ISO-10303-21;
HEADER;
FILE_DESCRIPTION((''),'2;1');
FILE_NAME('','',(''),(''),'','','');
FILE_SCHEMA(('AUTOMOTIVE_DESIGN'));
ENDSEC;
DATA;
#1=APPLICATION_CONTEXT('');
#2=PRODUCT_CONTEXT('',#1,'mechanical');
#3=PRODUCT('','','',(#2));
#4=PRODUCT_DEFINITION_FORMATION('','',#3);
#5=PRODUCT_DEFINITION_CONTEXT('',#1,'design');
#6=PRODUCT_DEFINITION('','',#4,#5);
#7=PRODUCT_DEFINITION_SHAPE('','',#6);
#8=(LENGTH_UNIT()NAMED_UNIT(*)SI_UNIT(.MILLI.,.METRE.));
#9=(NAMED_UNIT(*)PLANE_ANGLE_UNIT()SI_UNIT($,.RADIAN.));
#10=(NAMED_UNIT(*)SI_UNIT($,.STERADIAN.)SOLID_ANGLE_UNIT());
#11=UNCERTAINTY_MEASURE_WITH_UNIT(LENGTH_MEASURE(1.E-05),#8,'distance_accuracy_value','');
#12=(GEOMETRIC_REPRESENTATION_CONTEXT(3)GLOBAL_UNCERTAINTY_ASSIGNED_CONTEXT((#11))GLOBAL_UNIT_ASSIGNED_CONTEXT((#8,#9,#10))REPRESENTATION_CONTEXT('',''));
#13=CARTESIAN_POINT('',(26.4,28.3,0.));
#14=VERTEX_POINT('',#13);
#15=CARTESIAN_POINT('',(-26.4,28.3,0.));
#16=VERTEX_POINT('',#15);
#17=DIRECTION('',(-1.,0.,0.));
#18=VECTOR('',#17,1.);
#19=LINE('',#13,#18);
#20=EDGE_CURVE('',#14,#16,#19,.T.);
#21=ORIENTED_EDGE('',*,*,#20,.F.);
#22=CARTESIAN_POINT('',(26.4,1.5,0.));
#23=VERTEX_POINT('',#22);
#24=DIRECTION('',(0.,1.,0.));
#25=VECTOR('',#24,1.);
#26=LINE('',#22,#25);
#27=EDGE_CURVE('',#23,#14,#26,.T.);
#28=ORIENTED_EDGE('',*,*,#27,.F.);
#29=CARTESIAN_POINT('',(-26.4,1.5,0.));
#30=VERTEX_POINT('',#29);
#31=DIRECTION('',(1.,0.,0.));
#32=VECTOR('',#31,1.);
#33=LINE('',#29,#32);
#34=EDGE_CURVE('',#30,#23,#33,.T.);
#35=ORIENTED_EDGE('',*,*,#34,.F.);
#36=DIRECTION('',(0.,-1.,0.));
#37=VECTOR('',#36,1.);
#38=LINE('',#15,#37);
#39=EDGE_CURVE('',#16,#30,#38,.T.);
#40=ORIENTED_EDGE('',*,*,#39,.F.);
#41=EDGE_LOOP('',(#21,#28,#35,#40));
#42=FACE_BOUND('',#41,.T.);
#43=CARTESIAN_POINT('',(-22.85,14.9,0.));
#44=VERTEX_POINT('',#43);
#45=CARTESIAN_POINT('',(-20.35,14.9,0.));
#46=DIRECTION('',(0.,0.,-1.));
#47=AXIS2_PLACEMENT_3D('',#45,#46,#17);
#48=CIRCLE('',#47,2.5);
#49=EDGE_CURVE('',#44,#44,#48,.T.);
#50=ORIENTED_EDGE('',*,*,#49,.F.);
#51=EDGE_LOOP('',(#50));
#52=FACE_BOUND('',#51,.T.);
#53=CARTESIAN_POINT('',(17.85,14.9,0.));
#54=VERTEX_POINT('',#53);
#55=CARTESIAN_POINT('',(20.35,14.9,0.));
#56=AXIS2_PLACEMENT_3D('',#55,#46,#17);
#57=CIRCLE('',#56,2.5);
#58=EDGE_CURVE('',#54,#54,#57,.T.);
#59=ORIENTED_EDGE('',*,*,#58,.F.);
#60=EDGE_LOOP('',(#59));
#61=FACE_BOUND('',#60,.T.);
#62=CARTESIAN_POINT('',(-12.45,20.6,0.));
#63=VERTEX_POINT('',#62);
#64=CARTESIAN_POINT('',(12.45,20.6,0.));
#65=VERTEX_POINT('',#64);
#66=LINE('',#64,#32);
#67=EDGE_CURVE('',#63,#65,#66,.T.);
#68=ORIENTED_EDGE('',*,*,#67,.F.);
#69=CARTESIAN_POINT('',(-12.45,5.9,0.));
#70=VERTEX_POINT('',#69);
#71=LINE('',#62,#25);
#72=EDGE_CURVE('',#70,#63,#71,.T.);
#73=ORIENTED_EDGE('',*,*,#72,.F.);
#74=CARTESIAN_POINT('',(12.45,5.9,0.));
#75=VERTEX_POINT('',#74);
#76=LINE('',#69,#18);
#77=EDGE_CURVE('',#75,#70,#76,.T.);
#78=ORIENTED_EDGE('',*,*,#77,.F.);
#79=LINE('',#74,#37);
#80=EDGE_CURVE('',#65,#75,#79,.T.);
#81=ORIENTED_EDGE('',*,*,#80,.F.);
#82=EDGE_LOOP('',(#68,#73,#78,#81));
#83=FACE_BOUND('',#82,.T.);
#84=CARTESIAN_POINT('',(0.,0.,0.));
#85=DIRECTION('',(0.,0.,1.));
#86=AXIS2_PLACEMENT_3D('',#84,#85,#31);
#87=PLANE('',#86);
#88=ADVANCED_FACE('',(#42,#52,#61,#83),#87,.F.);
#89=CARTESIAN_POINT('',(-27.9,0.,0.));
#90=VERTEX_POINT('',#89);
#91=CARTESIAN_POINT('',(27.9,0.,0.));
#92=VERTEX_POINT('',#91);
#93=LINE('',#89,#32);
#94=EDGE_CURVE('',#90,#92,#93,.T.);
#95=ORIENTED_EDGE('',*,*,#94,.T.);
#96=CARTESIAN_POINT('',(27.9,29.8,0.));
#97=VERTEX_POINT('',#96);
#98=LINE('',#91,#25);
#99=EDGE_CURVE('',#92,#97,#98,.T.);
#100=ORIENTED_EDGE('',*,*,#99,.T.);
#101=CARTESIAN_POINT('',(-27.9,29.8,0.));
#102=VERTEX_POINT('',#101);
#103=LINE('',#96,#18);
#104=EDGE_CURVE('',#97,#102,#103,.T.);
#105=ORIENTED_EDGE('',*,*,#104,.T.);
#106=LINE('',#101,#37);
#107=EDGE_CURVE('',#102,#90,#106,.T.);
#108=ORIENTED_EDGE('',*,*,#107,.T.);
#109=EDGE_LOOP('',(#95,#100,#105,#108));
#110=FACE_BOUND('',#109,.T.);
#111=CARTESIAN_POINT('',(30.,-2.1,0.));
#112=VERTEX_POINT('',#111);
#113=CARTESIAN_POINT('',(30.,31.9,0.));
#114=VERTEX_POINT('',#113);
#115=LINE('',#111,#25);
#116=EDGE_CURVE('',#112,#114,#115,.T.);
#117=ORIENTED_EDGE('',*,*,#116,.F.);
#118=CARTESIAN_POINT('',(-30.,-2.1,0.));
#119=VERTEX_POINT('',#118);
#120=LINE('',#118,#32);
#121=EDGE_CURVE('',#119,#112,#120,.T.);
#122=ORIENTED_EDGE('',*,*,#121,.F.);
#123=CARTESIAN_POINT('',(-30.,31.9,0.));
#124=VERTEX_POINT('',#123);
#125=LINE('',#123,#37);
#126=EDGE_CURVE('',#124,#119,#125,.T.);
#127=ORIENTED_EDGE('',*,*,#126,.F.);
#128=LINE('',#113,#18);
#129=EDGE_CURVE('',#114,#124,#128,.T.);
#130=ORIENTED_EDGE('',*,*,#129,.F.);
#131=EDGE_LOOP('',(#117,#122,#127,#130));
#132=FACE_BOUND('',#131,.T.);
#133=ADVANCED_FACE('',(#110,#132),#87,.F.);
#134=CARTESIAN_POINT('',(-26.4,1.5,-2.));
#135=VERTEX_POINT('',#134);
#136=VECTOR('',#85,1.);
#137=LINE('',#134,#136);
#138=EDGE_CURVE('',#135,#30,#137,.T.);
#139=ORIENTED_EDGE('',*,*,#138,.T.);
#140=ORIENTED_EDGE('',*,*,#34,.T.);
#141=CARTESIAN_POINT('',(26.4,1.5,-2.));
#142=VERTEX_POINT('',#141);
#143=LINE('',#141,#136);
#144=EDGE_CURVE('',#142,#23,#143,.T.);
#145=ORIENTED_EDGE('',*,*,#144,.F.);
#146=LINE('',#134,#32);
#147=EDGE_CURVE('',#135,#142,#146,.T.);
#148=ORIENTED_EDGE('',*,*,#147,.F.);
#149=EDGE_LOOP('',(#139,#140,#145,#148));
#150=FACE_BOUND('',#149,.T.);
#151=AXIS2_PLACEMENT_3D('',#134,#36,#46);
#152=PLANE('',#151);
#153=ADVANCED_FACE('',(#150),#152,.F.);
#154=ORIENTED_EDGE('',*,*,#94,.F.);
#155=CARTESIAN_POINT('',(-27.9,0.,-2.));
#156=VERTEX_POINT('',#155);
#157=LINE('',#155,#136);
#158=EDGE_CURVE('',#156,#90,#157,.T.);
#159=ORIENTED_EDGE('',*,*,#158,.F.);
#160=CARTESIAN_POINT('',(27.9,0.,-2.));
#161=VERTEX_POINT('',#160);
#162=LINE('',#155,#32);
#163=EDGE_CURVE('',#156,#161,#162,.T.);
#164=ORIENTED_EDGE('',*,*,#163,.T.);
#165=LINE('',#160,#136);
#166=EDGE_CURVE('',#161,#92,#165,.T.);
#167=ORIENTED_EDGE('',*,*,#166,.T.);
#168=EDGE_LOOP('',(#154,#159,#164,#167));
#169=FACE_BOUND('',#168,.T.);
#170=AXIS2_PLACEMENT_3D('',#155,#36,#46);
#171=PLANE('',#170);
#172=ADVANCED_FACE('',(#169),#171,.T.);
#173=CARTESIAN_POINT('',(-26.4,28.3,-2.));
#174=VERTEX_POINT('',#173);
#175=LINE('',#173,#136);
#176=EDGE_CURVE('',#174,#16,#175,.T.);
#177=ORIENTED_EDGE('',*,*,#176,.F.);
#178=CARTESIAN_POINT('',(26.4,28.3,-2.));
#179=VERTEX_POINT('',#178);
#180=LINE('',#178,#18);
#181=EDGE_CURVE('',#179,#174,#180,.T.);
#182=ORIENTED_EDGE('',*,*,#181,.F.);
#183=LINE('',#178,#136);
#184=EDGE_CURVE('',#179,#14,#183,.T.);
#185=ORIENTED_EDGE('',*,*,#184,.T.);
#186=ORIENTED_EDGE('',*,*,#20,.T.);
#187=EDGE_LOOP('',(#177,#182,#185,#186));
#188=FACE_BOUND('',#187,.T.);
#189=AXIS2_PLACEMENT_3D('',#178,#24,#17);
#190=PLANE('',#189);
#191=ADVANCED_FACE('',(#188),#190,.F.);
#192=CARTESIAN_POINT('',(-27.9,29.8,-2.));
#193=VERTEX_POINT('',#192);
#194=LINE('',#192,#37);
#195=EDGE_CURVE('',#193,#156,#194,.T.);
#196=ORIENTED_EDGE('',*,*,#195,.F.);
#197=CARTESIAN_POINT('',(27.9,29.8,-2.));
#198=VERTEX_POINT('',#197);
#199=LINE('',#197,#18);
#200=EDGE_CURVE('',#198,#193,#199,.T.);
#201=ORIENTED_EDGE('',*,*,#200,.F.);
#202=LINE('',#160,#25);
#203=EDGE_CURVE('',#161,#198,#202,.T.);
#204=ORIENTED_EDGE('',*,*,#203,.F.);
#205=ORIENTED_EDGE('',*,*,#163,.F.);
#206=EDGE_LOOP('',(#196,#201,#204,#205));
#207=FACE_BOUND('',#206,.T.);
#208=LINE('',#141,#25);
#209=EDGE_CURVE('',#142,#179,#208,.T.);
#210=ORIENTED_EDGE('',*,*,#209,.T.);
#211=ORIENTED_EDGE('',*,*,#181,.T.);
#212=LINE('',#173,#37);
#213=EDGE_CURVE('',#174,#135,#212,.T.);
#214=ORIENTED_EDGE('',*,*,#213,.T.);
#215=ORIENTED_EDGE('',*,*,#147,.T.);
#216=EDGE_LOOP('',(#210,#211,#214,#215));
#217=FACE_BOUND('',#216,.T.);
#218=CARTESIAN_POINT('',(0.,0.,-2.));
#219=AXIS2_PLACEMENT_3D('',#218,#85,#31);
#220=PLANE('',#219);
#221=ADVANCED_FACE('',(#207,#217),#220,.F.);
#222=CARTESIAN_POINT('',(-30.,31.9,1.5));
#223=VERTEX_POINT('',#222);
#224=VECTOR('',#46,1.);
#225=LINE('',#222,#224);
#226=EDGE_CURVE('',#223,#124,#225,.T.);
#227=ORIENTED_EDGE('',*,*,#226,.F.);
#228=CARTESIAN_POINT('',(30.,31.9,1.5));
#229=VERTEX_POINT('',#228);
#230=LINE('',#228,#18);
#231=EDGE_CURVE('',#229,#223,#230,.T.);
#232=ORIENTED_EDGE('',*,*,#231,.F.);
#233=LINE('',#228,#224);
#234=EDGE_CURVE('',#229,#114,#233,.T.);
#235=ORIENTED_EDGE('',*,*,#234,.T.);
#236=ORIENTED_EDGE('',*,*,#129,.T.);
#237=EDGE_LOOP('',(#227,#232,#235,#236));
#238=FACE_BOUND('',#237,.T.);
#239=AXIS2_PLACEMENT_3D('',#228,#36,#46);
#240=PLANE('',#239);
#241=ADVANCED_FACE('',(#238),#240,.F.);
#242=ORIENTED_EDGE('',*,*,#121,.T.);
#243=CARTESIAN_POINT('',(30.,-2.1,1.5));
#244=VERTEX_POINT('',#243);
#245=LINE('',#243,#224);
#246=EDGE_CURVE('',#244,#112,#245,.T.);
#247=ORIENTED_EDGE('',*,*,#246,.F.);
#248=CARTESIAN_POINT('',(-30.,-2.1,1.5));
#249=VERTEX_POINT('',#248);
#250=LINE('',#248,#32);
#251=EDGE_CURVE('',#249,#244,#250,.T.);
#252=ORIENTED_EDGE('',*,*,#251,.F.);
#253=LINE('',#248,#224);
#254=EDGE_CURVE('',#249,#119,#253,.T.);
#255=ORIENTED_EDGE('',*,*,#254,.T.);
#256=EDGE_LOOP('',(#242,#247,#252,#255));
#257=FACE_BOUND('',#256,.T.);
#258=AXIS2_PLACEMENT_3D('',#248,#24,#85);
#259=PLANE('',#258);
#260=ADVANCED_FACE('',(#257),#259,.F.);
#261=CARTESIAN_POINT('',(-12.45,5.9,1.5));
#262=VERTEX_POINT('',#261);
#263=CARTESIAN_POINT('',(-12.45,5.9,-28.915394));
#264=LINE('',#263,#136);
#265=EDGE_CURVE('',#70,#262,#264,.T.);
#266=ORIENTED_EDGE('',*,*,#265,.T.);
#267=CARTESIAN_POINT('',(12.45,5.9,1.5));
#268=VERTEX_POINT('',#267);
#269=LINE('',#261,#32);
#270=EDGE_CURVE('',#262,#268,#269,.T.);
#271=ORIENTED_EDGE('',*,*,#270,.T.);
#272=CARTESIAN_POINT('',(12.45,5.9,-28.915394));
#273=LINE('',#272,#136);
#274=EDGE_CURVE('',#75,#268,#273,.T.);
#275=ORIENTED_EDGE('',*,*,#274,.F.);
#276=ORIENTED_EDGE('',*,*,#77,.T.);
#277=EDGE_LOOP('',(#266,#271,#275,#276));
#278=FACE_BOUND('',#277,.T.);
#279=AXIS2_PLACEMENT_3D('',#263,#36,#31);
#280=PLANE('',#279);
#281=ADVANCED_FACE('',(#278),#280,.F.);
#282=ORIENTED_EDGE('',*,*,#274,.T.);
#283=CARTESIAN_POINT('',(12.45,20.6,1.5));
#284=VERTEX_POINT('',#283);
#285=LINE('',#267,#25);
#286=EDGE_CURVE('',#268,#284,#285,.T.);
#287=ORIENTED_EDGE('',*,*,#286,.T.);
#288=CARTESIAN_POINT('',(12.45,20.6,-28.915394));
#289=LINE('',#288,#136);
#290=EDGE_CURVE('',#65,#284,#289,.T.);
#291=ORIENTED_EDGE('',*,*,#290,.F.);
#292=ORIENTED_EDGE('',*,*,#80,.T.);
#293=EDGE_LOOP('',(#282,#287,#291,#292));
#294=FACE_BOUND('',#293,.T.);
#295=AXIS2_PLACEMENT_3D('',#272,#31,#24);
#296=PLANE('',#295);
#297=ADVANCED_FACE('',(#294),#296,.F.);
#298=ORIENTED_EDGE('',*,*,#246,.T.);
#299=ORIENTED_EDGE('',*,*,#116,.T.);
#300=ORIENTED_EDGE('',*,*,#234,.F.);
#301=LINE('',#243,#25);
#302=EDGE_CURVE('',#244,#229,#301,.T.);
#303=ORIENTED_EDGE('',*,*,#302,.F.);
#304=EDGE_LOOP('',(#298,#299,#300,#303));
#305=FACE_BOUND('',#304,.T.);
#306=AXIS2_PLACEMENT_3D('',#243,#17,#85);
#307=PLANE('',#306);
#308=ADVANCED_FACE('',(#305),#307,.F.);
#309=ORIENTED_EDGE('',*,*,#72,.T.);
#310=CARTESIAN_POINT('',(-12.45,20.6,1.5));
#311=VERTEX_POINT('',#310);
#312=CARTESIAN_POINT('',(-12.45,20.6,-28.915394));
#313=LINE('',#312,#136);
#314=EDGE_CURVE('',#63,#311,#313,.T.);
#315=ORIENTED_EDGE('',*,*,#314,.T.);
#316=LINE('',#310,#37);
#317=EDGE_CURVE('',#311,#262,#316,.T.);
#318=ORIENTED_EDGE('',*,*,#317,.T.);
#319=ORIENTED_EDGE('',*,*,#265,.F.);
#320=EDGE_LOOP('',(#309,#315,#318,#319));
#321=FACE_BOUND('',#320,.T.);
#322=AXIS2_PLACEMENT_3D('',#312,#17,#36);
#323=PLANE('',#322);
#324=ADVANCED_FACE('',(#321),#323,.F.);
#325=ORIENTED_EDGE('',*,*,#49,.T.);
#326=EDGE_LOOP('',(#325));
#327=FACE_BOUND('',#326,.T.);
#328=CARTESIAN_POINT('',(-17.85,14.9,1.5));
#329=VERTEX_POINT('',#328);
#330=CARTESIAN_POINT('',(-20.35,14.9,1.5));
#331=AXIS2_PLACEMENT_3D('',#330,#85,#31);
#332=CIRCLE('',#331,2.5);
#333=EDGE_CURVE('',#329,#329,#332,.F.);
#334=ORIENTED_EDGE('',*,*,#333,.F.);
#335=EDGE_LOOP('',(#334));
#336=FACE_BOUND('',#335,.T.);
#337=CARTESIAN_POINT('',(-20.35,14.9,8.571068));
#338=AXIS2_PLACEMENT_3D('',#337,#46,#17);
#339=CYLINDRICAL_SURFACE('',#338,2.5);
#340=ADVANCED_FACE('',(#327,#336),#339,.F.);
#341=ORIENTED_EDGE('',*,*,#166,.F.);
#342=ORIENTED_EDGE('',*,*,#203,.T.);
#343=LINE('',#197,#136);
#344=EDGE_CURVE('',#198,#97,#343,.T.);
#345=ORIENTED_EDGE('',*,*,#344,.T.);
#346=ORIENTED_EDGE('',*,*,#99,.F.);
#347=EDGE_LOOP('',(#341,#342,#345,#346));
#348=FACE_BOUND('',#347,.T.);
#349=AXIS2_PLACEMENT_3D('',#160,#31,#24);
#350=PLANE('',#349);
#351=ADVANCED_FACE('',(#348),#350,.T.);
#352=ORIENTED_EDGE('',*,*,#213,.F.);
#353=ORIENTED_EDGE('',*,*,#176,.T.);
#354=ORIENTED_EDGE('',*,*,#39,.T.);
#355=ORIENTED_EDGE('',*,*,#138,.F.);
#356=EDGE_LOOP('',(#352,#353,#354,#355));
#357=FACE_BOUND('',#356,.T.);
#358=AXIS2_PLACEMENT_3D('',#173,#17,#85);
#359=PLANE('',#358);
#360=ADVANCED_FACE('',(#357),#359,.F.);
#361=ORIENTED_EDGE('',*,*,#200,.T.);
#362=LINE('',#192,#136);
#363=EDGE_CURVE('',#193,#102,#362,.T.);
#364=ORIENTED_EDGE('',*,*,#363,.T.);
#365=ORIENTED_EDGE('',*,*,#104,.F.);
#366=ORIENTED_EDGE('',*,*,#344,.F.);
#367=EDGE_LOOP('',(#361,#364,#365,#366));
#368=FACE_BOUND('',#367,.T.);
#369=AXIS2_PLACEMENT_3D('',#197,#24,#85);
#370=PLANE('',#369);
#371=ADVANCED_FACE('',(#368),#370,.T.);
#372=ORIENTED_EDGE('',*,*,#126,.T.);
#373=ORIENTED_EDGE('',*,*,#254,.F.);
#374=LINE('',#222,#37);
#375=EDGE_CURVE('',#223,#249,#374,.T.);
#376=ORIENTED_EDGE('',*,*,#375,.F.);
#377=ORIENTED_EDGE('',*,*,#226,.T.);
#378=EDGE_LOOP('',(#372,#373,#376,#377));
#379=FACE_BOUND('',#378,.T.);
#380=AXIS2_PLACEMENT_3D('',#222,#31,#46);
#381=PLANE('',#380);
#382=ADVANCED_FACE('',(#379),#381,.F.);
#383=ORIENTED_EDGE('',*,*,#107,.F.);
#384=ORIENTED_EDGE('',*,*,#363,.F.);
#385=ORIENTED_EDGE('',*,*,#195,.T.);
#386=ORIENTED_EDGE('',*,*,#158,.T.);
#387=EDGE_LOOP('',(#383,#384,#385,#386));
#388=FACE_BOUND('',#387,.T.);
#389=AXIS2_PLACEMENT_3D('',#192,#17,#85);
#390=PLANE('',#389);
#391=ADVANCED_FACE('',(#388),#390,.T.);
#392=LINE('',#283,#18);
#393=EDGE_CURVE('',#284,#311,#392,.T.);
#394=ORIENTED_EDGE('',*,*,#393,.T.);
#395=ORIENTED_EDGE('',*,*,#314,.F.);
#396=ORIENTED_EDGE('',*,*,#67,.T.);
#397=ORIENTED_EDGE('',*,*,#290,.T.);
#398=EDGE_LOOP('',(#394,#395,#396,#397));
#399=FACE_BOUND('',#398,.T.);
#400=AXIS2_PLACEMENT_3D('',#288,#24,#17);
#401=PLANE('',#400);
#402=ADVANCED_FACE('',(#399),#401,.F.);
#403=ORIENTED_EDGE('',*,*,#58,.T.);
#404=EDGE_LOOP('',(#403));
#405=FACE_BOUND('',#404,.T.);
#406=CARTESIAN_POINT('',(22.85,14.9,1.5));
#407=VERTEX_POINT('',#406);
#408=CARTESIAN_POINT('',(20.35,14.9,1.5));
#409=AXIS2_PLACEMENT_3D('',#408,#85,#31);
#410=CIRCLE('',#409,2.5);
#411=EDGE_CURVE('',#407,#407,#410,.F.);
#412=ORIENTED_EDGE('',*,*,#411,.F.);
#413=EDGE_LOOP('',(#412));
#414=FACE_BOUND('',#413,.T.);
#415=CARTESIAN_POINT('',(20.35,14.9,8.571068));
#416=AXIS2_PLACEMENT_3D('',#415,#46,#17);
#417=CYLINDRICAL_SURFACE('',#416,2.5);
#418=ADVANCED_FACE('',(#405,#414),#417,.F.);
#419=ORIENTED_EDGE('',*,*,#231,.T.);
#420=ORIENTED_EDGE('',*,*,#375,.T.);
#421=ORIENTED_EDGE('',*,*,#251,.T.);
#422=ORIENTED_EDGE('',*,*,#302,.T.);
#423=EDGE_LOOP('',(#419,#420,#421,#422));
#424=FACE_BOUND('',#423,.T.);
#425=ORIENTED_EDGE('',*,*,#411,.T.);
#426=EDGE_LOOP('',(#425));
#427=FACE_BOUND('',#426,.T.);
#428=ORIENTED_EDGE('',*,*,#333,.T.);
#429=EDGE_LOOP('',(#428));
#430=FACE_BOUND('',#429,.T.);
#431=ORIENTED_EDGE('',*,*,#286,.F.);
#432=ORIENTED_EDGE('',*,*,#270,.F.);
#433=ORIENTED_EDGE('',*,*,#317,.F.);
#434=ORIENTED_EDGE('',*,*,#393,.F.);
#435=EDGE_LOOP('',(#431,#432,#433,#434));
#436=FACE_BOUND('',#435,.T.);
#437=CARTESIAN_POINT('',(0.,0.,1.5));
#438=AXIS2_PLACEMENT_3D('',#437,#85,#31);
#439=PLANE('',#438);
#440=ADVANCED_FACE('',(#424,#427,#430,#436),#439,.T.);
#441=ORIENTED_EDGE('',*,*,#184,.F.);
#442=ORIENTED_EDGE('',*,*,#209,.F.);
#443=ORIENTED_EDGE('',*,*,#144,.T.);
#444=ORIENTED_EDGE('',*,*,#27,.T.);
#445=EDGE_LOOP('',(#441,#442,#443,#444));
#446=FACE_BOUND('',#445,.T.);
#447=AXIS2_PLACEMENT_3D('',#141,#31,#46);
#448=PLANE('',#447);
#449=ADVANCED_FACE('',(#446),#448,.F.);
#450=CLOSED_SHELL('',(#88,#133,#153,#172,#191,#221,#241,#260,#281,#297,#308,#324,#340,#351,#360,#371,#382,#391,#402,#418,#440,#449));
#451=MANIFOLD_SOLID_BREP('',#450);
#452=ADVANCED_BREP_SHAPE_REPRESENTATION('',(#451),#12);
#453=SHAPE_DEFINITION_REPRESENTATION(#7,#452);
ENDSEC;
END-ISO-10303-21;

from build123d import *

# Parameters (mm, degrees)
ESQUISSE2_W             = 55.8
ESQUISSE2_H             = 29.8
ESQUISSE2_W_2           = 52.8
ESQUISSE2_H_2           = 26.8
BOSS_EXTRU_1_DEPTH      = 2
ESQUISSE3_W             = 60
ESQUISSE3_H             = 34
BOSS_EXTRU_2_DEPTH      = 1.5
ESQUISSE4_W             = 24.9
ESQUISSE4_H             = 14.7
ENL_V_MAT_EXTRU_1_DEPTH = 1.5
ESQUISSE5_R             = 2.5
ENL_V_MAT_EXTRU_2_DEPTH = 1.5


with BuildPart() as part:
    # Esquisse2 → Boss.-Extru.1 (new body)
    with BuildSketch(Plane.XY):
        with Locations((0, 14.9)):
            Rectangle(ESQUISSE2_W, ESQUISSE2_H)
        with Locations((0, 14.9)):
            Rectangle(ESQUISSE2_W_2, ESQUISSE2_H_2, mode=Mode.SUBTRACT)
    extrude(amount=-BOSS_EXTRU_1_DEPTH)

    # Esquisse3 → Boss.-Extru.2 (add)
    with BuildSketch(Plane.XY):
        with Locations((0, 14.9)):
            Rectangle(ESQUISSE3_W, ESQUISSE3_H)
    extrude(amount=BOSS_EXTRU_2_DEPTH)

    # Esquisse4 → Enlèv. mat.-Extru.1 (cut)
    with BuildSketch(Plane.XY.offset(1.5)):
        with Locations((0, 13.25)):
            Rectangle(ESQUISSE4_W, ESQUISSE4_H)
    extrude(amount=-ENL_V_MAT_EXTRU_1_DEPTH, mode=Mode.SUBTRACT)

    # Esquisse5 → Enlèv. mat.-Extru.2 (cut)
    with BuildSketch(Plane(origin=(0, 0, 0), x_dir=(-1, 0, 0), z_dir=(0, 0, -1))):
        with Locations((20.35, 14.9)):
            Circle(ESQUISSE5_R)
        with Locations((-20.35, 14.9)):
            Circle(ESQUISSE5_R)
    extrude(amount=-ENL_V_MAT_EXTRU_2_DEPTH, mode=Mode.SUBTRACT)


solid = part.part
